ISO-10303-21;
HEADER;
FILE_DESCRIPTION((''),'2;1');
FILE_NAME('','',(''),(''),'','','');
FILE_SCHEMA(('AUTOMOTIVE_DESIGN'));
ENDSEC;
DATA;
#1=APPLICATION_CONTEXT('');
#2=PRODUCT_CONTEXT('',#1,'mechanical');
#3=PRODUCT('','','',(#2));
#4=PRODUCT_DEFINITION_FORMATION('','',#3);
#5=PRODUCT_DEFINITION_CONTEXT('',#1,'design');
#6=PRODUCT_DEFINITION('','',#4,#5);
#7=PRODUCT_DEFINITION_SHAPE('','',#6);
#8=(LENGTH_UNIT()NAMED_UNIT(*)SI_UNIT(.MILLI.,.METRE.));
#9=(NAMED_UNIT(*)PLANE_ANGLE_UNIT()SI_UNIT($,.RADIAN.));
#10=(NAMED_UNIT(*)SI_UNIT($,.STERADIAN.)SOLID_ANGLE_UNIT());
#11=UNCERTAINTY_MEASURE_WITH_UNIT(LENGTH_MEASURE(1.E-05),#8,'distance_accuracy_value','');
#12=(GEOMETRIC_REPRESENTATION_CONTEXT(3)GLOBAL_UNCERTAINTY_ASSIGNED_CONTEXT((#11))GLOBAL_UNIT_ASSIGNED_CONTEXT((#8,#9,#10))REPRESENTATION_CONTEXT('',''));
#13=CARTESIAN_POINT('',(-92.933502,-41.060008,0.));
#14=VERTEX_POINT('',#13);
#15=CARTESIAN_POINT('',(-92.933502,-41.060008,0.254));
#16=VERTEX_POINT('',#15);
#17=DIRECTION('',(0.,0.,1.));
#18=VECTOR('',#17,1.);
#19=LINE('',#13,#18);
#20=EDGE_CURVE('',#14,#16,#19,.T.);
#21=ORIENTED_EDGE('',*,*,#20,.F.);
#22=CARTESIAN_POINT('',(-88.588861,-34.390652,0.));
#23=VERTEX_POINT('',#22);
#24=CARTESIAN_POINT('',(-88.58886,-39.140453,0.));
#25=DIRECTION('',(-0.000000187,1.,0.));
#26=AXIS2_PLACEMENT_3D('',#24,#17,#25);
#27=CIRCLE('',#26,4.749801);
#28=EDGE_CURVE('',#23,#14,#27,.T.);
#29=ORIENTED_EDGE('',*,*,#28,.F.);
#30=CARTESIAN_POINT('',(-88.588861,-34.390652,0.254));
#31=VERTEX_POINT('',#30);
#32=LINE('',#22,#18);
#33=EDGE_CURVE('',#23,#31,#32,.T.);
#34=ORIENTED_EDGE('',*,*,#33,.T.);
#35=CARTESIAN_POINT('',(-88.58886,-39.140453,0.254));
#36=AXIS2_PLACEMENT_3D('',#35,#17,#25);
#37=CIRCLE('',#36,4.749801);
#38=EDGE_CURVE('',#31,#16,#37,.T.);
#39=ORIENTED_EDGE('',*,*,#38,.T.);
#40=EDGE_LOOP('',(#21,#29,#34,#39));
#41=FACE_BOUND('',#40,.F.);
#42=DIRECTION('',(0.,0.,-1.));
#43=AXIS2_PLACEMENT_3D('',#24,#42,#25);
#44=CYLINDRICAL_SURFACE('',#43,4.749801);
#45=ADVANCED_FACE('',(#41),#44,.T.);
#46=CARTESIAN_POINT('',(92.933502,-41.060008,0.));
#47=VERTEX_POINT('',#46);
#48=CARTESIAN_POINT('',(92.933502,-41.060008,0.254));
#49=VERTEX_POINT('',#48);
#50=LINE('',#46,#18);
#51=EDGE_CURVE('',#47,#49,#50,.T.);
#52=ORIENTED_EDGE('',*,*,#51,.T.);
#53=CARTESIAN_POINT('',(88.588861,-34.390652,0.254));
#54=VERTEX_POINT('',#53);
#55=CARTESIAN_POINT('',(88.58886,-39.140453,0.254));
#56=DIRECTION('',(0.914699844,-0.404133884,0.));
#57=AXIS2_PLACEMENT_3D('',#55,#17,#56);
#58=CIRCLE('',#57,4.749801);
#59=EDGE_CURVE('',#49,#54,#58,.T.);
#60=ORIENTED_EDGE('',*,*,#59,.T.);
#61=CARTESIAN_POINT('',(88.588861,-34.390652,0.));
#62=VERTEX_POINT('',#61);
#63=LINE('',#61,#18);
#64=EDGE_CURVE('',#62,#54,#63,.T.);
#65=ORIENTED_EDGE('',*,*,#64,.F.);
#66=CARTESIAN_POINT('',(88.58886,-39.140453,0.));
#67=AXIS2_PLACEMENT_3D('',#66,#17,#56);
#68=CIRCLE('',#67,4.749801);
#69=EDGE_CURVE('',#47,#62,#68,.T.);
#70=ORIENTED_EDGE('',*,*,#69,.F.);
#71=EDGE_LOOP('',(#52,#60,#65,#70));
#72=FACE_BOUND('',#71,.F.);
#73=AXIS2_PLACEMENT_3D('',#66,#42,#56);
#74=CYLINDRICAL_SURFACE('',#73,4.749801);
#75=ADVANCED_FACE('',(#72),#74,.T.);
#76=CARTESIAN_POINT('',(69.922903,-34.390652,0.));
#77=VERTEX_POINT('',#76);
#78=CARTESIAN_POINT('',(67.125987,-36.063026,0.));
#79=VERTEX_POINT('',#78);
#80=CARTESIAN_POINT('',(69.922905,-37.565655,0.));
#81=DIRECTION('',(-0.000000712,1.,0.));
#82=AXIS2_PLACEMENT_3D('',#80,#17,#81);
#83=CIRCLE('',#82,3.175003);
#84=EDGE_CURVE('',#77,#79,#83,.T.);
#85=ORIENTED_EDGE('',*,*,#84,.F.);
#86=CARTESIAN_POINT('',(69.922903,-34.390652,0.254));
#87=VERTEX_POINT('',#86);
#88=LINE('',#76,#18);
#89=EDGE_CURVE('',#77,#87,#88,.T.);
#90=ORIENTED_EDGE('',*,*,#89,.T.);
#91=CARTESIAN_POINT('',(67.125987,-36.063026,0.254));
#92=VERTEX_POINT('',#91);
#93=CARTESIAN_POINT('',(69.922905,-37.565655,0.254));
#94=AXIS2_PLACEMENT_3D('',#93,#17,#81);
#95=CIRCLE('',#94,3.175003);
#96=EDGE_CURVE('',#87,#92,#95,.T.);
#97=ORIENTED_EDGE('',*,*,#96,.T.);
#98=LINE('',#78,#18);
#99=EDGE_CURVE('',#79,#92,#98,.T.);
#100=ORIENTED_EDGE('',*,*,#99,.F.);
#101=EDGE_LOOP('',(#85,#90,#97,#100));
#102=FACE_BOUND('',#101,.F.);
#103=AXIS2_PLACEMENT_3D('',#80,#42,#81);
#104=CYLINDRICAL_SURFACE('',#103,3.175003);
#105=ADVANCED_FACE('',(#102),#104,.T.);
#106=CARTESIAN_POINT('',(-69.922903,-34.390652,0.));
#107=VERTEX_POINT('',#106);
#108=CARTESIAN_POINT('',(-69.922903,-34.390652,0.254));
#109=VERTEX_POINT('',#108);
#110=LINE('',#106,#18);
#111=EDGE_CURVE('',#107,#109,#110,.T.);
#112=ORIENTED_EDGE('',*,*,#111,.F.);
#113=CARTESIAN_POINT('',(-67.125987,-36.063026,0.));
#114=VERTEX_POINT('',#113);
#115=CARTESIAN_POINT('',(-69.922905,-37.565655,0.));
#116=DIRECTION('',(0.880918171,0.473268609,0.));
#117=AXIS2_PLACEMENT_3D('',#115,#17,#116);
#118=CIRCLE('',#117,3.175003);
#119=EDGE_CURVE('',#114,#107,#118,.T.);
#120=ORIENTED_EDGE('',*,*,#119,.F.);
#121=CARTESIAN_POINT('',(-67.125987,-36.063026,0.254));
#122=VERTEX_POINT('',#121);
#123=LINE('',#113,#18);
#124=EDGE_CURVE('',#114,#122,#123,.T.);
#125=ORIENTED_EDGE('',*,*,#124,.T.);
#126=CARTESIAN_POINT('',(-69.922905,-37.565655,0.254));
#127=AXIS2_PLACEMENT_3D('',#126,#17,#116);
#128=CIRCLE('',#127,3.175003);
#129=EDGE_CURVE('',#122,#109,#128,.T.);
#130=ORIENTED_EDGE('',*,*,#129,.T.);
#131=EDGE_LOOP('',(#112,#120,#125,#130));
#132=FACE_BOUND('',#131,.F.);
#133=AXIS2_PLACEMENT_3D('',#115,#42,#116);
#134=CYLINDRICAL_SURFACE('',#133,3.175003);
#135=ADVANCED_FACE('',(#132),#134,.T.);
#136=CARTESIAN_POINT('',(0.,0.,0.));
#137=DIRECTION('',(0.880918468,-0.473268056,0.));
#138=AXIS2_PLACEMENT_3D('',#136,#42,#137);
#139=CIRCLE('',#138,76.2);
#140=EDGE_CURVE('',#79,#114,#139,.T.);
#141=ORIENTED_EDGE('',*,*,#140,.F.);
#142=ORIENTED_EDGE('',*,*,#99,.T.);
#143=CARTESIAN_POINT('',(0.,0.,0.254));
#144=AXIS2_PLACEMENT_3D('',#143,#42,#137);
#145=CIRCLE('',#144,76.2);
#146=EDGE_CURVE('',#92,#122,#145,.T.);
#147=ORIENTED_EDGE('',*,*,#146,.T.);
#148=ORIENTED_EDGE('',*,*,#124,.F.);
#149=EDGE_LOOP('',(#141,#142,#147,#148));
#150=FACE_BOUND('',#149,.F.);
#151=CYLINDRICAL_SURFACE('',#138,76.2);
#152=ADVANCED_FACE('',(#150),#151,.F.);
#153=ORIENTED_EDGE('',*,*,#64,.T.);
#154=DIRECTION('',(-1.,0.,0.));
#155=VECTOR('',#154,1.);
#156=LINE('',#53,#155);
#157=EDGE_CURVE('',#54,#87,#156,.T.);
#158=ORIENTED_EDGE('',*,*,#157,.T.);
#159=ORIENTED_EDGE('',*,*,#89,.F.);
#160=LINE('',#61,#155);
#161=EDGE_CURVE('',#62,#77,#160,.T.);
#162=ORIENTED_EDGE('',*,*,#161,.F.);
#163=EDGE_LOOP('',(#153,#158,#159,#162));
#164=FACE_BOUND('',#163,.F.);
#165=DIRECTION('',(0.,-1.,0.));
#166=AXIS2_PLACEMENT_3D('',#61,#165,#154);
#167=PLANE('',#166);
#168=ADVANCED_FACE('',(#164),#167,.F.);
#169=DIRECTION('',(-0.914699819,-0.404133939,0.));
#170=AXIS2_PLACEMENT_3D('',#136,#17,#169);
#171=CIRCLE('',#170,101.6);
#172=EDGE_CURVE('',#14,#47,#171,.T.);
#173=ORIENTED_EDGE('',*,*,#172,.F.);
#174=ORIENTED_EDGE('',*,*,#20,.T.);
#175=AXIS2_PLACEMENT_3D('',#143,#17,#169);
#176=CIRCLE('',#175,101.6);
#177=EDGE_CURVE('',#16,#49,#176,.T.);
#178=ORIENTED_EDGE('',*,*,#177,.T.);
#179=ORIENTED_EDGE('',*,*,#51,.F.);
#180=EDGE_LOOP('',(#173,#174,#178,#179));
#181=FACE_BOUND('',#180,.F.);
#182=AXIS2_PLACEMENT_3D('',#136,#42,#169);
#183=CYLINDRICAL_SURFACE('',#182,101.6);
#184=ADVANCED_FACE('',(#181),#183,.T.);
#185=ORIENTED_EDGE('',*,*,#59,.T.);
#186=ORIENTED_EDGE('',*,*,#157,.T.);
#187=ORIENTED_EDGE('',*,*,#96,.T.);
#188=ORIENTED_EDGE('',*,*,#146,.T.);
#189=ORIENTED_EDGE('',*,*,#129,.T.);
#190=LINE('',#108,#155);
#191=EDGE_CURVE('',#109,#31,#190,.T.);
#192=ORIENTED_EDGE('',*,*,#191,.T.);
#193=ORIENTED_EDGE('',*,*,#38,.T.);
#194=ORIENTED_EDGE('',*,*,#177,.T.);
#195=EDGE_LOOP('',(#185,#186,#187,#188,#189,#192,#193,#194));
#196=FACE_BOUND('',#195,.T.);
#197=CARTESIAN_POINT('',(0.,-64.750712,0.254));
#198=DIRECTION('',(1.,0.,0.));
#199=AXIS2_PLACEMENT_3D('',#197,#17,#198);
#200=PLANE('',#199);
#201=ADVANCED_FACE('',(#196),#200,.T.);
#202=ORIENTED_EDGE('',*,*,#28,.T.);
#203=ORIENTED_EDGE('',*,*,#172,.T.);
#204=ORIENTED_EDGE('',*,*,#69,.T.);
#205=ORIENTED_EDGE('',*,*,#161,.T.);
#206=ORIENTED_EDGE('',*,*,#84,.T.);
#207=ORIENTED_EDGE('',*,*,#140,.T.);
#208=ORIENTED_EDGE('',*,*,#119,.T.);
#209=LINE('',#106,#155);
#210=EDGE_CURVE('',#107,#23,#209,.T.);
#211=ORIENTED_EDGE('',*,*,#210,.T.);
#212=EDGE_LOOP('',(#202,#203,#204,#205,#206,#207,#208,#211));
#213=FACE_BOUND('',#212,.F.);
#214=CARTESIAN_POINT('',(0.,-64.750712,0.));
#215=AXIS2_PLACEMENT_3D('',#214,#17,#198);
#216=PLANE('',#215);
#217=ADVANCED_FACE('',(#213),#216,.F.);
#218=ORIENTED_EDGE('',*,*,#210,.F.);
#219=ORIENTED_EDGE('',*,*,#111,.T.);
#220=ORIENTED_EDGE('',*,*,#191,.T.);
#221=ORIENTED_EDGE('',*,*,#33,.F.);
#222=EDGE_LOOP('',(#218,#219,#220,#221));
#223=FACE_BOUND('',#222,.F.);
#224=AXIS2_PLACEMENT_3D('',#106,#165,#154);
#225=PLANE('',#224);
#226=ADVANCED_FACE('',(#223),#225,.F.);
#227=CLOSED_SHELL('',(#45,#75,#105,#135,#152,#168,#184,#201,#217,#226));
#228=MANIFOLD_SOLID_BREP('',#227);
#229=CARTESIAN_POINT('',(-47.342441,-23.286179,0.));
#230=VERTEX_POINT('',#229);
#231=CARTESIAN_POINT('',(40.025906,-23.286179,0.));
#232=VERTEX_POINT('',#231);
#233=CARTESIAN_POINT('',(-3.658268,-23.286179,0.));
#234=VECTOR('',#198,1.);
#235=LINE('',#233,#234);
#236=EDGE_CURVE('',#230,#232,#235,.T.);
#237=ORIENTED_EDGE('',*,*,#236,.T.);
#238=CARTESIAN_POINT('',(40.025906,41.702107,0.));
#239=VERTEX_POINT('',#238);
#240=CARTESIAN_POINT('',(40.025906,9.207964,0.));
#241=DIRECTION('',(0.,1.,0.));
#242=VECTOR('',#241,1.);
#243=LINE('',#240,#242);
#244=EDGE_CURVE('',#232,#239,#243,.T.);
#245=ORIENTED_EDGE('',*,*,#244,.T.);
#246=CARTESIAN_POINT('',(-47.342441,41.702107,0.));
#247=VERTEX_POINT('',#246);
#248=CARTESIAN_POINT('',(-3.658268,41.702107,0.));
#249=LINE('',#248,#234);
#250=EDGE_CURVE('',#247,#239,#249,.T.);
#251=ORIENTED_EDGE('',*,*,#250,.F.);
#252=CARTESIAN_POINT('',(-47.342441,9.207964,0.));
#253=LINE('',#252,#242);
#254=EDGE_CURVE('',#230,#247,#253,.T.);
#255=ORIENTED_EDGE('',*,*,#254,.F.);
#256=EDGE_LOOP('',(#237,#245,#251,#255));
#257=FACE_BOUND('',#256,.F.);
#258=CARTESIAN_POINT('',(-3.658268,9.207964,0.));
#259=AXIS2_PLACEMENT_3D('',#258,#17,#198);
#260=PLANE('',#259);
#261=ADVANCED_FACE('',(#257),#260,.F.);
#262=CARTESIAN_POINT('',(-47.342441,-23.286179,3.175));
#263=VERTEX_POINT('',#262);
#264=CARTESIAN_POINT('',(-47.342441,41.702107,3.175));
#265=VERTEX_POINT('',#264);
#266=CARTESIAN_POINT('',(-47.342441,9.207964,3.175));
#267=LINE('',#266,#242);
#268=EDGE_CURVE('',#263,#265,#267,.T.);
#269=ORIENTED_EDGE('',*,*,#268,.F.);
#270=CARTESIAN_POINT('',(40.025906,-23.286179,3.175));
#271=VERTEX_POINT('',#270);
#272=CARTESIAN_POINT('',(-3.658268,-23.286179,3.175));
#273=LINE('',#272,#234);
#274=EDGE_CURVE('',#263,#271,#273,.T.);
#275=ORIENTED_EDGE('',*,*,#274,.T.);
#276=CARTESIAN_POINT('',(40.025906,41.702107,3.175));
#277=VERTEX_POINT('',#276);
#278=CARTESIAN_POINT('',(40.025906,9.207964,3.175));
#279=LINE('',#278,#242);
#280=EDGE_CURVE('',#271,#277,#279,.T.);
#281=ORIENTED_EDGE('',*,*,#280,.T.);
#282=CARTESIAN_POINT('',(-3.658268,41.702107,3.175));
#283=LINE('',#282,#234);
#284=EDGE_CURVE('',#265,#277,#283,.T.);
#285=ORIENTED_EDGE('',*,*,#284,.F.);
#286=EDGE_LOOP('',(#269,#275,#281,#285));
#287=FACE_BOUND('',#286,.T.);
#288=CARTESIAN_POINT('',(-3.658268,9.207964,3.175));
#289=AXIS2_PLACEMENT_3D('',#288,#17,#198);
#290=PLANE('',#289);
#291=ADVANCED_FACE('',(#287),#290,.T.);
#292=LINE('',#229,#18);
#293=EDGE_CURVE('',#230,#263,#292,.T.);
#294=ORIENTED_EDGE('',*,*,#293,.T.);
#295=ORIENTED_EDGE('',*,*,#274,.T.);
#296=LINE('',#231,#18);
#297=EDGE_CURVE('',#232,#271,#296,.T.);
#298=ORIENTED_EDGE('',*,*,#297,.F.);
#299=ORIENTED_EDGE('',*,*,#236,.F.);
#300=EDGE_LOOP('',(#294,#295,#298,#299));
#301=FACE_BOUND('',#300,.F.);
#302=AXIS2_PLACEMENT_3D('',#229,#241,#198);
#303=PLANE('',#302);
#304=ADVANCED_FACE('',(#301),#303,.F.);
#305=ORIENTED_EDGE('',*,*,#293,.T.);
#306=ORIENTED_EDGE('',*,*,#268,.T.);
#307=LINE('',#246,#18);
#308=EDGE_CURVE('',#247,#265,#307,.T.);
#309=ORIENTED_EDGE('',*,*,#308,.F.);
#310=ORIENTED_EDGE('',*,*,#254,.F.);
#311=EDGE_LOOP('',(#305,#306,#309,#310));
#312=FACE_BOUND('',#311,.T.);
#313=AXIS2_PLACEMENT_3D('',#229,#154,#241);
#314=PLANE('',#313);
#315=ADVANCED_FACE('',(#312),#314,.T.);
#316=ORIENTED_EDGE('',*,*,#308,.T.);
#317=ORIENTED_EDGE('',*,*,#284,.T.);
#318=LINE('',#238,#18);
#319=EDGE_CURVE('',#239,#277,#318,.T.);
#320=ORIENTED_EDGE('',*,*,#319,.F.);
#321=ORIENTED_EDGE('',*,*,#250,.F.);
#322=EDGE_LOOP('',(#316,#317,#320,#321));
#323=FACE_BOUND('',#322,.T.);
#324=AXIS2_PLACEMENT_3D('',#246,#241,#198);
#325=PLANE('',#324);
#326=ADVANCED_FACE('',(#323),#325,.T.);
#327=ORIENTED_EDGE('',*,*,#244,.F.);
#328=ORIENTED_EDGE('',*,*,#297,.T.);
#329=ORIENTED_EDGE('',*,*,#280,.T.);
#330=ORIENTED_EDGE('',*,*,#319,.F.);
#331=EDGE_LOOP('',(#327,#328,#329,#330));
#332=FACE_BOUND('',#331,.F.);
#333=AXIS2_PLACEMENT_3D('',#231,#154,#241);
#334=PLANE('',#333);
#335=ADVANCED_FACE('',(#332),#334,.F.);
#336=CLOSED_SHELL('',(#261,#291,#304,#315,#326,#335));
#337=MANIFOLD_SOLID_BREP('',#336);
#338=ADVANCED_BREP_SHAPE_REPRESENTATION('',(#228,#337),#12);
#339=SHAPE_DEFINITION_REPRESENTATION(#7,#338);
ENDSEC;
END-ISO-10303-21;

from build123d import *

# Parameters (mm, degrees)
F1_DEPTH = 0.254
F2_W     = 87.368347
F2_H     = 64.988286
F3_DEPTH = 3.175


with BuildPart() as f1:
    # F0 (on Top) → F1 (new body)
    with BuildSketch(Plane.XY):
        with BuildLine():
            ThreePointArc((-88.588861, -34.390652), (-92.568691, -36.547857), (-92.933502, -41.060008))
            ThreePointArc((-92.933502, -41.060008), (0, -101.6), (92.933502, -41.060008))
            ThreePointArc((92.933502, -41.060008), (92.568691, -36.547857), (88.588861, -34.390652))
            Line((88.588861, -34.390652), (69.922903, -34.390652))
            ThreePointArc((69.922903, -34.390652), (68.293519, -34.840633), (67.125987, -36.063026))
            ThreePointArc((67.125987, -36.063026), (0, -76.2), (-67.125987, -36.063026))
            ThreePointArc((-67.125987, -36.063026), (-68.293519, -34.840633), (-69.922903, -34.390652))
            Line((-69.922903, -34.390652), (-88.588861, -34.390652))
        make_face()
    extrude(amount=F1_DEPTH)


with BuildPart() as f3:
    # F2 (on Top) → F3 (new body)
    with BuildSketch(Plane.XY):
        with Locations((-3.658268, 9.207964)):
            Rectangle(F2_W, F2_H)
    extrude(amount=F3_DEPTH)


solid = Compound([f1.part, f3.part])
